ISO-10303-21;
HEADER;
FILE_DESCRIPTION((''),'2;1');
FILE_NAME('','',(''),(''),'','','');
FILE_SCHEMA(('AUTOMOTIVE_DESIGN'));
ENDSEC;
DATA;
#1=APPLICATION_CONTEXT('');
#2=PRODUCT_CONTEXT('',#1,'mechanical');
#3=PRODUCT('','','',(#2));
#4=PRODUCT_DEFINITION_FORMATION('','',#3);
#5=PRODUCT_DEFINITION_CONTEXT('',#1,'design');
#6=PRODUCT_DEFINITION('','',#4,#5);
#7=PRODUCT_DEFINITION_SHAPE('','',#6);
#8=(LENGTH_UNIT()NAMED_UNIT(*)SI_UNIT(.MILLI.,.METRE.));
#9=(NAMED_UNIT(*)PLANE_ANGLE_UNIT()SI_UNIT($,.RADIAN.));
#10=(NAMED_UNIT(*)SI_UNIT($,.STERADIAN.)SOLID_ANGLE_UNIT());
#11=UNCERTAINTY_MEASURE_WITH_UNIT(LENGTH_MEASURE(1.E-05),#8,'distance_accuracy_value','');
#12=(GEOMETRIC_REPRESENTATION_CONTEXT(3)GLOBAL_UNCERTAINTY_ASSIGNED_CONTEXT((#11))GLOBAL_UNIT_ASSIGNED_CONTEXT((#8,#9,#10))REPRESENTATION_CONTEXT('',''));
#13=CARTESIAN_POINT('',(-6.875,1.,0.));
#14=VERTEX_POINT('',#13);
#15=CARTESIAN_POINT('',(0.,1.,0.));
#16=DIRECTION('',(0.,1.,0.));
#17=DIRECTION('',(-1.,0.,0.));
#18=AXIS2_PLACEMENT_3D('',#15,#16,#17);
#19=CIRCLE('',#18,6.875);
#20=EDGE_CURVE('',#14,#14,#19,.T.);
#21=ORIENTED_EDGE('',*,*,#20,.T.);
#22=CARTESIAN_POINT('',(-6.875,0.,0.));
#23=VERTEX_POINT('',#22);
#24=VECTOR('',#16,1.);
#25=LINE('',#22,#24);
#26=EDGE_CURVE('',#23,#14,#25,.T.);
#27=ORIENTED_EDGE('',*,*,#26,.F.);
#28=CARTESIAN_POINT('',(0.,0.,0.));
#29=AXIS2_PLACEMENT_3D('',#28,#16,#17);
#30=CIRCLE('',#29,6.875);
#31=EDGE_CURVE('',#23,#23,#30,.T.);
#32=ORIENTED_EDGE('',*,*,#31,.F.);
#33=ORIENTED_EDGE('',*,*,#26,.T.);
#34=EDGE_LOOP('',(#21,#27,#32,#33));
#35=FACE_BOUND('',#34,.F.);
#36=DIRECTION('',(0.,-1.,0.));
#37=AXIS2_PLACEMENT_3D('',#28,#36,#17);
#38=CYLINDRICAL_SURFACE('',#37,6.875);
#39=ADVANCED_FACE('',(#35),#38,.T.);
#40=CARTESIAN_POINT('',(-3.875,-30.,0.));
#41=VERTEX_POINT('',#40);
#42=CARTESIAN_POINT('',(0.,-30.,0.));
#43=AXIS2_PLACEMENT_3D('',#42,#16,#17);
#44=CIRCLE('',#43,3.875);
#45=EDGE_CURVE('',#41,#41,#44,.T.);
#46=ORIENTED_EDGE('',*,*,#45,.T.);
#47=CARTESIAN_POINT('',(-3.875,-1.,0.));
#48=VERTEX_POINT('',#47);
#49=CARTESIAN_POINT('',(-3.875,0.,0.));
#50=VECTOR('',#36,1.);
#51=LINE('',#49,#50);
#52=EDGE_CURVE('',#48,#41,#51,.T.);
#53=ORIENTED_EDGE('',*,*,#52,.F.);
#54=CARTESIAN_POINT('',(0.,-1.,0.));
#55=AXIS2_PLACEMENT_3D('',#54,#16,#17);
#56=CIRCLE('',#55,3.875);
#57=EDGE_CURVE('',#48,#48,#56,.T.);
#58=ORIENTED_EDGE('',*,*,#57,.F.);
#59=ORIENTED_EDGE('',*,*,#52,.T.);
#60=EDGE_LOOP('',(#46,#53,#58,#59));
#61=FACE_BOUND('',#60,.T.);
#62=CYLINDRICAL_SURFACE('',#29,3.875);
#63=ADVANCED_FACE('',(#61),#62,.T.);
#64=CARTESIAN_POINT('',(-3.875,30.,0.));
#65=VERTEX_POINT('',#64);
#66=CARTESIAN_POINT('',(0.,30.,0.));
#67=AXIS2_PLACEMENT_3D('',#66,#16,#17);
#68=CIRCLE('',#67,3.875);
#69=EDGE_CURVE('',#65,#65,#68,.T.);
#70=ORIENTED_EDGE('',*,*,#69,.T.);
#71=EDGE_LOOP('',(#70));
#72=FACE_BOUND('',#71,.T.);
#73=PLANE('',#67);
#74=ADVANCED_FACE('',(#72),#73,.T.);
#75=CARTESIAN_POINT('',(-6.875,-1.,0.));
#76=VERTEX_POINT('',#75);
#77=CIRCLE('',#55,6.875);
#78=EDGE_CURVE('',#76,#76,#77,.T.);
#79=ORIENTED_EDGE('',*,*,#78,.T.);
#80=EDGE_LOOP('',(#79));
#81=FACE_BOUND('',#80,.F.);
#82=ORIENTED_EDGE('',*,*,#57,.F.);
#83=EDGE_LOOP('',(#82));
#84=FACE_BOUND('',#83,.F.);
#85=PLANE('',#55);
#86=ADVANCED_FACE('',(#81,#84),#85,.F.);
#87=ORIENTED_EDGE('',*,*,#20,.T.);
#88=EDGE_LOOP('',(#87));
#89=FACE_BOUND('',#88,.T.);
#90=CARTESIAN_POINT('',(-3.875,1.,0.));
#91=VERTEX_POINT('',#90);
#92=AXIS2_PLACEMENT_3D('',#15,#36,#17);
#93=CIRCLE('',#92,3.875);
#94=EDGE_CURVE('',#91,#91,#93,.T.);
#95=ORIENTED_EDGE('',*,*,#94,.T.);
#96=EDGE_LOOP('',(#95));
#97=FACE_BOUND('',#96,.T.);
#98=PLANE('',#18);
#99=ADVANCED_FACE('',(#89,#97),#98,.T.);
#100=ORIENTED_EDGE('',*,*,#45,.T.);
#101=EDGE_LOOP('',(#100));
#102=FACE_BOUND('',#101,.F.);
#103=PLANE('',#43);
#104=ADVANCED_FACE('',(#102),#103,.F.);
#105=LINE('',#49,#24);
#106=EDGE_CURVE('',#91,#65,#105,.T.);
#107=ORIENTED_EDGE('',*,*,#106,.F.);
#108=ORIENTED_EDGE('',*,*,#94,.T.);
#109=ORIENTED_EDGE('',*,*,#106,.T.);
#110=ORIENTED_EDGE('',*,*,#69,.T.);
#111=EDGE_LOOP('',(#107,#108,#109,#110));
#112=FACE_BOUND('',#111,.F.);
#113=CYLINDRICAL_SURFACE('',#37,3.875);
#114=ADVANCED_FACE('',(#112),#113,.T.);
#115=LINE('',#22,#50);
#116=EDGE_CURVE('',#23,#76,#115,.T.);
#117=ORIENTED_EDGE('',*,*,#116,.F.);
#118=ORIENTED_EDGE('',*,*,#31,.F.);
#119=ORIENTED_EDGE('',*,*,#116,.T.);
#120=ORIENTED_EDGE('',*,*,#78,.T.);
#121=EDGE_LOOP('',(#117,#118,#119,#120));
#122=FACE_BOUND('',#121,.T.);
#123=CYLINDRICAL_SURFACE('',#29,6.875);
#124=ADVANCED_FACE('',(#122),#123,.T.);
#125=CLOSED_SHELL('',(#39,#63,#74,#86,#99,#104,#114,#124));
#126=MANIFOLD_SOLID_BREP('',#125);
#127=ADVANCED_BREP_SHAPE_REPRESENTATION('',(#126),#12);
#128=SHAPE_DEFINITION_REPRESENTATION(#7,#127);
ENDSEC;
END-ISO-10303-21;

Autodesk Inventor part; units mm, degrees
ref_plane "YZ Plane" through (0, 0, 0) normal (1, 0, 0) x (0, 1, 0)
ref_plane "XZ Plane" through (0, 0, 0) normal (0, 1, 0) x (-1, 0, 0)
ref_plane "XY Plane" through (0, 0, 0) normal (0, 0, 1) x (1, 0, 0)
sketch "Sketch1" plane through (0, 0, 0) normal (0, 1, 0) x (-1, 0, 0)
  circle A0 centre (0, 0) radius 3.875
  dimension "d0" = 7.75
extrude "Extrusion1" add sketch "Sketch1" along normal mid plane 60
sketch "Sketch2" plane through (0, 0, 0) normal (0, 1, 0) x (-1, 0, 0)
  circle A0 centre (0, 0) radius 6.875
  dimension "d3" = 13.75
extrude "Extrusion2" add sketch "Sketch2" along normal mid plane 2
properties part number "SP30V1 Bisagra P2" material "Steel"
